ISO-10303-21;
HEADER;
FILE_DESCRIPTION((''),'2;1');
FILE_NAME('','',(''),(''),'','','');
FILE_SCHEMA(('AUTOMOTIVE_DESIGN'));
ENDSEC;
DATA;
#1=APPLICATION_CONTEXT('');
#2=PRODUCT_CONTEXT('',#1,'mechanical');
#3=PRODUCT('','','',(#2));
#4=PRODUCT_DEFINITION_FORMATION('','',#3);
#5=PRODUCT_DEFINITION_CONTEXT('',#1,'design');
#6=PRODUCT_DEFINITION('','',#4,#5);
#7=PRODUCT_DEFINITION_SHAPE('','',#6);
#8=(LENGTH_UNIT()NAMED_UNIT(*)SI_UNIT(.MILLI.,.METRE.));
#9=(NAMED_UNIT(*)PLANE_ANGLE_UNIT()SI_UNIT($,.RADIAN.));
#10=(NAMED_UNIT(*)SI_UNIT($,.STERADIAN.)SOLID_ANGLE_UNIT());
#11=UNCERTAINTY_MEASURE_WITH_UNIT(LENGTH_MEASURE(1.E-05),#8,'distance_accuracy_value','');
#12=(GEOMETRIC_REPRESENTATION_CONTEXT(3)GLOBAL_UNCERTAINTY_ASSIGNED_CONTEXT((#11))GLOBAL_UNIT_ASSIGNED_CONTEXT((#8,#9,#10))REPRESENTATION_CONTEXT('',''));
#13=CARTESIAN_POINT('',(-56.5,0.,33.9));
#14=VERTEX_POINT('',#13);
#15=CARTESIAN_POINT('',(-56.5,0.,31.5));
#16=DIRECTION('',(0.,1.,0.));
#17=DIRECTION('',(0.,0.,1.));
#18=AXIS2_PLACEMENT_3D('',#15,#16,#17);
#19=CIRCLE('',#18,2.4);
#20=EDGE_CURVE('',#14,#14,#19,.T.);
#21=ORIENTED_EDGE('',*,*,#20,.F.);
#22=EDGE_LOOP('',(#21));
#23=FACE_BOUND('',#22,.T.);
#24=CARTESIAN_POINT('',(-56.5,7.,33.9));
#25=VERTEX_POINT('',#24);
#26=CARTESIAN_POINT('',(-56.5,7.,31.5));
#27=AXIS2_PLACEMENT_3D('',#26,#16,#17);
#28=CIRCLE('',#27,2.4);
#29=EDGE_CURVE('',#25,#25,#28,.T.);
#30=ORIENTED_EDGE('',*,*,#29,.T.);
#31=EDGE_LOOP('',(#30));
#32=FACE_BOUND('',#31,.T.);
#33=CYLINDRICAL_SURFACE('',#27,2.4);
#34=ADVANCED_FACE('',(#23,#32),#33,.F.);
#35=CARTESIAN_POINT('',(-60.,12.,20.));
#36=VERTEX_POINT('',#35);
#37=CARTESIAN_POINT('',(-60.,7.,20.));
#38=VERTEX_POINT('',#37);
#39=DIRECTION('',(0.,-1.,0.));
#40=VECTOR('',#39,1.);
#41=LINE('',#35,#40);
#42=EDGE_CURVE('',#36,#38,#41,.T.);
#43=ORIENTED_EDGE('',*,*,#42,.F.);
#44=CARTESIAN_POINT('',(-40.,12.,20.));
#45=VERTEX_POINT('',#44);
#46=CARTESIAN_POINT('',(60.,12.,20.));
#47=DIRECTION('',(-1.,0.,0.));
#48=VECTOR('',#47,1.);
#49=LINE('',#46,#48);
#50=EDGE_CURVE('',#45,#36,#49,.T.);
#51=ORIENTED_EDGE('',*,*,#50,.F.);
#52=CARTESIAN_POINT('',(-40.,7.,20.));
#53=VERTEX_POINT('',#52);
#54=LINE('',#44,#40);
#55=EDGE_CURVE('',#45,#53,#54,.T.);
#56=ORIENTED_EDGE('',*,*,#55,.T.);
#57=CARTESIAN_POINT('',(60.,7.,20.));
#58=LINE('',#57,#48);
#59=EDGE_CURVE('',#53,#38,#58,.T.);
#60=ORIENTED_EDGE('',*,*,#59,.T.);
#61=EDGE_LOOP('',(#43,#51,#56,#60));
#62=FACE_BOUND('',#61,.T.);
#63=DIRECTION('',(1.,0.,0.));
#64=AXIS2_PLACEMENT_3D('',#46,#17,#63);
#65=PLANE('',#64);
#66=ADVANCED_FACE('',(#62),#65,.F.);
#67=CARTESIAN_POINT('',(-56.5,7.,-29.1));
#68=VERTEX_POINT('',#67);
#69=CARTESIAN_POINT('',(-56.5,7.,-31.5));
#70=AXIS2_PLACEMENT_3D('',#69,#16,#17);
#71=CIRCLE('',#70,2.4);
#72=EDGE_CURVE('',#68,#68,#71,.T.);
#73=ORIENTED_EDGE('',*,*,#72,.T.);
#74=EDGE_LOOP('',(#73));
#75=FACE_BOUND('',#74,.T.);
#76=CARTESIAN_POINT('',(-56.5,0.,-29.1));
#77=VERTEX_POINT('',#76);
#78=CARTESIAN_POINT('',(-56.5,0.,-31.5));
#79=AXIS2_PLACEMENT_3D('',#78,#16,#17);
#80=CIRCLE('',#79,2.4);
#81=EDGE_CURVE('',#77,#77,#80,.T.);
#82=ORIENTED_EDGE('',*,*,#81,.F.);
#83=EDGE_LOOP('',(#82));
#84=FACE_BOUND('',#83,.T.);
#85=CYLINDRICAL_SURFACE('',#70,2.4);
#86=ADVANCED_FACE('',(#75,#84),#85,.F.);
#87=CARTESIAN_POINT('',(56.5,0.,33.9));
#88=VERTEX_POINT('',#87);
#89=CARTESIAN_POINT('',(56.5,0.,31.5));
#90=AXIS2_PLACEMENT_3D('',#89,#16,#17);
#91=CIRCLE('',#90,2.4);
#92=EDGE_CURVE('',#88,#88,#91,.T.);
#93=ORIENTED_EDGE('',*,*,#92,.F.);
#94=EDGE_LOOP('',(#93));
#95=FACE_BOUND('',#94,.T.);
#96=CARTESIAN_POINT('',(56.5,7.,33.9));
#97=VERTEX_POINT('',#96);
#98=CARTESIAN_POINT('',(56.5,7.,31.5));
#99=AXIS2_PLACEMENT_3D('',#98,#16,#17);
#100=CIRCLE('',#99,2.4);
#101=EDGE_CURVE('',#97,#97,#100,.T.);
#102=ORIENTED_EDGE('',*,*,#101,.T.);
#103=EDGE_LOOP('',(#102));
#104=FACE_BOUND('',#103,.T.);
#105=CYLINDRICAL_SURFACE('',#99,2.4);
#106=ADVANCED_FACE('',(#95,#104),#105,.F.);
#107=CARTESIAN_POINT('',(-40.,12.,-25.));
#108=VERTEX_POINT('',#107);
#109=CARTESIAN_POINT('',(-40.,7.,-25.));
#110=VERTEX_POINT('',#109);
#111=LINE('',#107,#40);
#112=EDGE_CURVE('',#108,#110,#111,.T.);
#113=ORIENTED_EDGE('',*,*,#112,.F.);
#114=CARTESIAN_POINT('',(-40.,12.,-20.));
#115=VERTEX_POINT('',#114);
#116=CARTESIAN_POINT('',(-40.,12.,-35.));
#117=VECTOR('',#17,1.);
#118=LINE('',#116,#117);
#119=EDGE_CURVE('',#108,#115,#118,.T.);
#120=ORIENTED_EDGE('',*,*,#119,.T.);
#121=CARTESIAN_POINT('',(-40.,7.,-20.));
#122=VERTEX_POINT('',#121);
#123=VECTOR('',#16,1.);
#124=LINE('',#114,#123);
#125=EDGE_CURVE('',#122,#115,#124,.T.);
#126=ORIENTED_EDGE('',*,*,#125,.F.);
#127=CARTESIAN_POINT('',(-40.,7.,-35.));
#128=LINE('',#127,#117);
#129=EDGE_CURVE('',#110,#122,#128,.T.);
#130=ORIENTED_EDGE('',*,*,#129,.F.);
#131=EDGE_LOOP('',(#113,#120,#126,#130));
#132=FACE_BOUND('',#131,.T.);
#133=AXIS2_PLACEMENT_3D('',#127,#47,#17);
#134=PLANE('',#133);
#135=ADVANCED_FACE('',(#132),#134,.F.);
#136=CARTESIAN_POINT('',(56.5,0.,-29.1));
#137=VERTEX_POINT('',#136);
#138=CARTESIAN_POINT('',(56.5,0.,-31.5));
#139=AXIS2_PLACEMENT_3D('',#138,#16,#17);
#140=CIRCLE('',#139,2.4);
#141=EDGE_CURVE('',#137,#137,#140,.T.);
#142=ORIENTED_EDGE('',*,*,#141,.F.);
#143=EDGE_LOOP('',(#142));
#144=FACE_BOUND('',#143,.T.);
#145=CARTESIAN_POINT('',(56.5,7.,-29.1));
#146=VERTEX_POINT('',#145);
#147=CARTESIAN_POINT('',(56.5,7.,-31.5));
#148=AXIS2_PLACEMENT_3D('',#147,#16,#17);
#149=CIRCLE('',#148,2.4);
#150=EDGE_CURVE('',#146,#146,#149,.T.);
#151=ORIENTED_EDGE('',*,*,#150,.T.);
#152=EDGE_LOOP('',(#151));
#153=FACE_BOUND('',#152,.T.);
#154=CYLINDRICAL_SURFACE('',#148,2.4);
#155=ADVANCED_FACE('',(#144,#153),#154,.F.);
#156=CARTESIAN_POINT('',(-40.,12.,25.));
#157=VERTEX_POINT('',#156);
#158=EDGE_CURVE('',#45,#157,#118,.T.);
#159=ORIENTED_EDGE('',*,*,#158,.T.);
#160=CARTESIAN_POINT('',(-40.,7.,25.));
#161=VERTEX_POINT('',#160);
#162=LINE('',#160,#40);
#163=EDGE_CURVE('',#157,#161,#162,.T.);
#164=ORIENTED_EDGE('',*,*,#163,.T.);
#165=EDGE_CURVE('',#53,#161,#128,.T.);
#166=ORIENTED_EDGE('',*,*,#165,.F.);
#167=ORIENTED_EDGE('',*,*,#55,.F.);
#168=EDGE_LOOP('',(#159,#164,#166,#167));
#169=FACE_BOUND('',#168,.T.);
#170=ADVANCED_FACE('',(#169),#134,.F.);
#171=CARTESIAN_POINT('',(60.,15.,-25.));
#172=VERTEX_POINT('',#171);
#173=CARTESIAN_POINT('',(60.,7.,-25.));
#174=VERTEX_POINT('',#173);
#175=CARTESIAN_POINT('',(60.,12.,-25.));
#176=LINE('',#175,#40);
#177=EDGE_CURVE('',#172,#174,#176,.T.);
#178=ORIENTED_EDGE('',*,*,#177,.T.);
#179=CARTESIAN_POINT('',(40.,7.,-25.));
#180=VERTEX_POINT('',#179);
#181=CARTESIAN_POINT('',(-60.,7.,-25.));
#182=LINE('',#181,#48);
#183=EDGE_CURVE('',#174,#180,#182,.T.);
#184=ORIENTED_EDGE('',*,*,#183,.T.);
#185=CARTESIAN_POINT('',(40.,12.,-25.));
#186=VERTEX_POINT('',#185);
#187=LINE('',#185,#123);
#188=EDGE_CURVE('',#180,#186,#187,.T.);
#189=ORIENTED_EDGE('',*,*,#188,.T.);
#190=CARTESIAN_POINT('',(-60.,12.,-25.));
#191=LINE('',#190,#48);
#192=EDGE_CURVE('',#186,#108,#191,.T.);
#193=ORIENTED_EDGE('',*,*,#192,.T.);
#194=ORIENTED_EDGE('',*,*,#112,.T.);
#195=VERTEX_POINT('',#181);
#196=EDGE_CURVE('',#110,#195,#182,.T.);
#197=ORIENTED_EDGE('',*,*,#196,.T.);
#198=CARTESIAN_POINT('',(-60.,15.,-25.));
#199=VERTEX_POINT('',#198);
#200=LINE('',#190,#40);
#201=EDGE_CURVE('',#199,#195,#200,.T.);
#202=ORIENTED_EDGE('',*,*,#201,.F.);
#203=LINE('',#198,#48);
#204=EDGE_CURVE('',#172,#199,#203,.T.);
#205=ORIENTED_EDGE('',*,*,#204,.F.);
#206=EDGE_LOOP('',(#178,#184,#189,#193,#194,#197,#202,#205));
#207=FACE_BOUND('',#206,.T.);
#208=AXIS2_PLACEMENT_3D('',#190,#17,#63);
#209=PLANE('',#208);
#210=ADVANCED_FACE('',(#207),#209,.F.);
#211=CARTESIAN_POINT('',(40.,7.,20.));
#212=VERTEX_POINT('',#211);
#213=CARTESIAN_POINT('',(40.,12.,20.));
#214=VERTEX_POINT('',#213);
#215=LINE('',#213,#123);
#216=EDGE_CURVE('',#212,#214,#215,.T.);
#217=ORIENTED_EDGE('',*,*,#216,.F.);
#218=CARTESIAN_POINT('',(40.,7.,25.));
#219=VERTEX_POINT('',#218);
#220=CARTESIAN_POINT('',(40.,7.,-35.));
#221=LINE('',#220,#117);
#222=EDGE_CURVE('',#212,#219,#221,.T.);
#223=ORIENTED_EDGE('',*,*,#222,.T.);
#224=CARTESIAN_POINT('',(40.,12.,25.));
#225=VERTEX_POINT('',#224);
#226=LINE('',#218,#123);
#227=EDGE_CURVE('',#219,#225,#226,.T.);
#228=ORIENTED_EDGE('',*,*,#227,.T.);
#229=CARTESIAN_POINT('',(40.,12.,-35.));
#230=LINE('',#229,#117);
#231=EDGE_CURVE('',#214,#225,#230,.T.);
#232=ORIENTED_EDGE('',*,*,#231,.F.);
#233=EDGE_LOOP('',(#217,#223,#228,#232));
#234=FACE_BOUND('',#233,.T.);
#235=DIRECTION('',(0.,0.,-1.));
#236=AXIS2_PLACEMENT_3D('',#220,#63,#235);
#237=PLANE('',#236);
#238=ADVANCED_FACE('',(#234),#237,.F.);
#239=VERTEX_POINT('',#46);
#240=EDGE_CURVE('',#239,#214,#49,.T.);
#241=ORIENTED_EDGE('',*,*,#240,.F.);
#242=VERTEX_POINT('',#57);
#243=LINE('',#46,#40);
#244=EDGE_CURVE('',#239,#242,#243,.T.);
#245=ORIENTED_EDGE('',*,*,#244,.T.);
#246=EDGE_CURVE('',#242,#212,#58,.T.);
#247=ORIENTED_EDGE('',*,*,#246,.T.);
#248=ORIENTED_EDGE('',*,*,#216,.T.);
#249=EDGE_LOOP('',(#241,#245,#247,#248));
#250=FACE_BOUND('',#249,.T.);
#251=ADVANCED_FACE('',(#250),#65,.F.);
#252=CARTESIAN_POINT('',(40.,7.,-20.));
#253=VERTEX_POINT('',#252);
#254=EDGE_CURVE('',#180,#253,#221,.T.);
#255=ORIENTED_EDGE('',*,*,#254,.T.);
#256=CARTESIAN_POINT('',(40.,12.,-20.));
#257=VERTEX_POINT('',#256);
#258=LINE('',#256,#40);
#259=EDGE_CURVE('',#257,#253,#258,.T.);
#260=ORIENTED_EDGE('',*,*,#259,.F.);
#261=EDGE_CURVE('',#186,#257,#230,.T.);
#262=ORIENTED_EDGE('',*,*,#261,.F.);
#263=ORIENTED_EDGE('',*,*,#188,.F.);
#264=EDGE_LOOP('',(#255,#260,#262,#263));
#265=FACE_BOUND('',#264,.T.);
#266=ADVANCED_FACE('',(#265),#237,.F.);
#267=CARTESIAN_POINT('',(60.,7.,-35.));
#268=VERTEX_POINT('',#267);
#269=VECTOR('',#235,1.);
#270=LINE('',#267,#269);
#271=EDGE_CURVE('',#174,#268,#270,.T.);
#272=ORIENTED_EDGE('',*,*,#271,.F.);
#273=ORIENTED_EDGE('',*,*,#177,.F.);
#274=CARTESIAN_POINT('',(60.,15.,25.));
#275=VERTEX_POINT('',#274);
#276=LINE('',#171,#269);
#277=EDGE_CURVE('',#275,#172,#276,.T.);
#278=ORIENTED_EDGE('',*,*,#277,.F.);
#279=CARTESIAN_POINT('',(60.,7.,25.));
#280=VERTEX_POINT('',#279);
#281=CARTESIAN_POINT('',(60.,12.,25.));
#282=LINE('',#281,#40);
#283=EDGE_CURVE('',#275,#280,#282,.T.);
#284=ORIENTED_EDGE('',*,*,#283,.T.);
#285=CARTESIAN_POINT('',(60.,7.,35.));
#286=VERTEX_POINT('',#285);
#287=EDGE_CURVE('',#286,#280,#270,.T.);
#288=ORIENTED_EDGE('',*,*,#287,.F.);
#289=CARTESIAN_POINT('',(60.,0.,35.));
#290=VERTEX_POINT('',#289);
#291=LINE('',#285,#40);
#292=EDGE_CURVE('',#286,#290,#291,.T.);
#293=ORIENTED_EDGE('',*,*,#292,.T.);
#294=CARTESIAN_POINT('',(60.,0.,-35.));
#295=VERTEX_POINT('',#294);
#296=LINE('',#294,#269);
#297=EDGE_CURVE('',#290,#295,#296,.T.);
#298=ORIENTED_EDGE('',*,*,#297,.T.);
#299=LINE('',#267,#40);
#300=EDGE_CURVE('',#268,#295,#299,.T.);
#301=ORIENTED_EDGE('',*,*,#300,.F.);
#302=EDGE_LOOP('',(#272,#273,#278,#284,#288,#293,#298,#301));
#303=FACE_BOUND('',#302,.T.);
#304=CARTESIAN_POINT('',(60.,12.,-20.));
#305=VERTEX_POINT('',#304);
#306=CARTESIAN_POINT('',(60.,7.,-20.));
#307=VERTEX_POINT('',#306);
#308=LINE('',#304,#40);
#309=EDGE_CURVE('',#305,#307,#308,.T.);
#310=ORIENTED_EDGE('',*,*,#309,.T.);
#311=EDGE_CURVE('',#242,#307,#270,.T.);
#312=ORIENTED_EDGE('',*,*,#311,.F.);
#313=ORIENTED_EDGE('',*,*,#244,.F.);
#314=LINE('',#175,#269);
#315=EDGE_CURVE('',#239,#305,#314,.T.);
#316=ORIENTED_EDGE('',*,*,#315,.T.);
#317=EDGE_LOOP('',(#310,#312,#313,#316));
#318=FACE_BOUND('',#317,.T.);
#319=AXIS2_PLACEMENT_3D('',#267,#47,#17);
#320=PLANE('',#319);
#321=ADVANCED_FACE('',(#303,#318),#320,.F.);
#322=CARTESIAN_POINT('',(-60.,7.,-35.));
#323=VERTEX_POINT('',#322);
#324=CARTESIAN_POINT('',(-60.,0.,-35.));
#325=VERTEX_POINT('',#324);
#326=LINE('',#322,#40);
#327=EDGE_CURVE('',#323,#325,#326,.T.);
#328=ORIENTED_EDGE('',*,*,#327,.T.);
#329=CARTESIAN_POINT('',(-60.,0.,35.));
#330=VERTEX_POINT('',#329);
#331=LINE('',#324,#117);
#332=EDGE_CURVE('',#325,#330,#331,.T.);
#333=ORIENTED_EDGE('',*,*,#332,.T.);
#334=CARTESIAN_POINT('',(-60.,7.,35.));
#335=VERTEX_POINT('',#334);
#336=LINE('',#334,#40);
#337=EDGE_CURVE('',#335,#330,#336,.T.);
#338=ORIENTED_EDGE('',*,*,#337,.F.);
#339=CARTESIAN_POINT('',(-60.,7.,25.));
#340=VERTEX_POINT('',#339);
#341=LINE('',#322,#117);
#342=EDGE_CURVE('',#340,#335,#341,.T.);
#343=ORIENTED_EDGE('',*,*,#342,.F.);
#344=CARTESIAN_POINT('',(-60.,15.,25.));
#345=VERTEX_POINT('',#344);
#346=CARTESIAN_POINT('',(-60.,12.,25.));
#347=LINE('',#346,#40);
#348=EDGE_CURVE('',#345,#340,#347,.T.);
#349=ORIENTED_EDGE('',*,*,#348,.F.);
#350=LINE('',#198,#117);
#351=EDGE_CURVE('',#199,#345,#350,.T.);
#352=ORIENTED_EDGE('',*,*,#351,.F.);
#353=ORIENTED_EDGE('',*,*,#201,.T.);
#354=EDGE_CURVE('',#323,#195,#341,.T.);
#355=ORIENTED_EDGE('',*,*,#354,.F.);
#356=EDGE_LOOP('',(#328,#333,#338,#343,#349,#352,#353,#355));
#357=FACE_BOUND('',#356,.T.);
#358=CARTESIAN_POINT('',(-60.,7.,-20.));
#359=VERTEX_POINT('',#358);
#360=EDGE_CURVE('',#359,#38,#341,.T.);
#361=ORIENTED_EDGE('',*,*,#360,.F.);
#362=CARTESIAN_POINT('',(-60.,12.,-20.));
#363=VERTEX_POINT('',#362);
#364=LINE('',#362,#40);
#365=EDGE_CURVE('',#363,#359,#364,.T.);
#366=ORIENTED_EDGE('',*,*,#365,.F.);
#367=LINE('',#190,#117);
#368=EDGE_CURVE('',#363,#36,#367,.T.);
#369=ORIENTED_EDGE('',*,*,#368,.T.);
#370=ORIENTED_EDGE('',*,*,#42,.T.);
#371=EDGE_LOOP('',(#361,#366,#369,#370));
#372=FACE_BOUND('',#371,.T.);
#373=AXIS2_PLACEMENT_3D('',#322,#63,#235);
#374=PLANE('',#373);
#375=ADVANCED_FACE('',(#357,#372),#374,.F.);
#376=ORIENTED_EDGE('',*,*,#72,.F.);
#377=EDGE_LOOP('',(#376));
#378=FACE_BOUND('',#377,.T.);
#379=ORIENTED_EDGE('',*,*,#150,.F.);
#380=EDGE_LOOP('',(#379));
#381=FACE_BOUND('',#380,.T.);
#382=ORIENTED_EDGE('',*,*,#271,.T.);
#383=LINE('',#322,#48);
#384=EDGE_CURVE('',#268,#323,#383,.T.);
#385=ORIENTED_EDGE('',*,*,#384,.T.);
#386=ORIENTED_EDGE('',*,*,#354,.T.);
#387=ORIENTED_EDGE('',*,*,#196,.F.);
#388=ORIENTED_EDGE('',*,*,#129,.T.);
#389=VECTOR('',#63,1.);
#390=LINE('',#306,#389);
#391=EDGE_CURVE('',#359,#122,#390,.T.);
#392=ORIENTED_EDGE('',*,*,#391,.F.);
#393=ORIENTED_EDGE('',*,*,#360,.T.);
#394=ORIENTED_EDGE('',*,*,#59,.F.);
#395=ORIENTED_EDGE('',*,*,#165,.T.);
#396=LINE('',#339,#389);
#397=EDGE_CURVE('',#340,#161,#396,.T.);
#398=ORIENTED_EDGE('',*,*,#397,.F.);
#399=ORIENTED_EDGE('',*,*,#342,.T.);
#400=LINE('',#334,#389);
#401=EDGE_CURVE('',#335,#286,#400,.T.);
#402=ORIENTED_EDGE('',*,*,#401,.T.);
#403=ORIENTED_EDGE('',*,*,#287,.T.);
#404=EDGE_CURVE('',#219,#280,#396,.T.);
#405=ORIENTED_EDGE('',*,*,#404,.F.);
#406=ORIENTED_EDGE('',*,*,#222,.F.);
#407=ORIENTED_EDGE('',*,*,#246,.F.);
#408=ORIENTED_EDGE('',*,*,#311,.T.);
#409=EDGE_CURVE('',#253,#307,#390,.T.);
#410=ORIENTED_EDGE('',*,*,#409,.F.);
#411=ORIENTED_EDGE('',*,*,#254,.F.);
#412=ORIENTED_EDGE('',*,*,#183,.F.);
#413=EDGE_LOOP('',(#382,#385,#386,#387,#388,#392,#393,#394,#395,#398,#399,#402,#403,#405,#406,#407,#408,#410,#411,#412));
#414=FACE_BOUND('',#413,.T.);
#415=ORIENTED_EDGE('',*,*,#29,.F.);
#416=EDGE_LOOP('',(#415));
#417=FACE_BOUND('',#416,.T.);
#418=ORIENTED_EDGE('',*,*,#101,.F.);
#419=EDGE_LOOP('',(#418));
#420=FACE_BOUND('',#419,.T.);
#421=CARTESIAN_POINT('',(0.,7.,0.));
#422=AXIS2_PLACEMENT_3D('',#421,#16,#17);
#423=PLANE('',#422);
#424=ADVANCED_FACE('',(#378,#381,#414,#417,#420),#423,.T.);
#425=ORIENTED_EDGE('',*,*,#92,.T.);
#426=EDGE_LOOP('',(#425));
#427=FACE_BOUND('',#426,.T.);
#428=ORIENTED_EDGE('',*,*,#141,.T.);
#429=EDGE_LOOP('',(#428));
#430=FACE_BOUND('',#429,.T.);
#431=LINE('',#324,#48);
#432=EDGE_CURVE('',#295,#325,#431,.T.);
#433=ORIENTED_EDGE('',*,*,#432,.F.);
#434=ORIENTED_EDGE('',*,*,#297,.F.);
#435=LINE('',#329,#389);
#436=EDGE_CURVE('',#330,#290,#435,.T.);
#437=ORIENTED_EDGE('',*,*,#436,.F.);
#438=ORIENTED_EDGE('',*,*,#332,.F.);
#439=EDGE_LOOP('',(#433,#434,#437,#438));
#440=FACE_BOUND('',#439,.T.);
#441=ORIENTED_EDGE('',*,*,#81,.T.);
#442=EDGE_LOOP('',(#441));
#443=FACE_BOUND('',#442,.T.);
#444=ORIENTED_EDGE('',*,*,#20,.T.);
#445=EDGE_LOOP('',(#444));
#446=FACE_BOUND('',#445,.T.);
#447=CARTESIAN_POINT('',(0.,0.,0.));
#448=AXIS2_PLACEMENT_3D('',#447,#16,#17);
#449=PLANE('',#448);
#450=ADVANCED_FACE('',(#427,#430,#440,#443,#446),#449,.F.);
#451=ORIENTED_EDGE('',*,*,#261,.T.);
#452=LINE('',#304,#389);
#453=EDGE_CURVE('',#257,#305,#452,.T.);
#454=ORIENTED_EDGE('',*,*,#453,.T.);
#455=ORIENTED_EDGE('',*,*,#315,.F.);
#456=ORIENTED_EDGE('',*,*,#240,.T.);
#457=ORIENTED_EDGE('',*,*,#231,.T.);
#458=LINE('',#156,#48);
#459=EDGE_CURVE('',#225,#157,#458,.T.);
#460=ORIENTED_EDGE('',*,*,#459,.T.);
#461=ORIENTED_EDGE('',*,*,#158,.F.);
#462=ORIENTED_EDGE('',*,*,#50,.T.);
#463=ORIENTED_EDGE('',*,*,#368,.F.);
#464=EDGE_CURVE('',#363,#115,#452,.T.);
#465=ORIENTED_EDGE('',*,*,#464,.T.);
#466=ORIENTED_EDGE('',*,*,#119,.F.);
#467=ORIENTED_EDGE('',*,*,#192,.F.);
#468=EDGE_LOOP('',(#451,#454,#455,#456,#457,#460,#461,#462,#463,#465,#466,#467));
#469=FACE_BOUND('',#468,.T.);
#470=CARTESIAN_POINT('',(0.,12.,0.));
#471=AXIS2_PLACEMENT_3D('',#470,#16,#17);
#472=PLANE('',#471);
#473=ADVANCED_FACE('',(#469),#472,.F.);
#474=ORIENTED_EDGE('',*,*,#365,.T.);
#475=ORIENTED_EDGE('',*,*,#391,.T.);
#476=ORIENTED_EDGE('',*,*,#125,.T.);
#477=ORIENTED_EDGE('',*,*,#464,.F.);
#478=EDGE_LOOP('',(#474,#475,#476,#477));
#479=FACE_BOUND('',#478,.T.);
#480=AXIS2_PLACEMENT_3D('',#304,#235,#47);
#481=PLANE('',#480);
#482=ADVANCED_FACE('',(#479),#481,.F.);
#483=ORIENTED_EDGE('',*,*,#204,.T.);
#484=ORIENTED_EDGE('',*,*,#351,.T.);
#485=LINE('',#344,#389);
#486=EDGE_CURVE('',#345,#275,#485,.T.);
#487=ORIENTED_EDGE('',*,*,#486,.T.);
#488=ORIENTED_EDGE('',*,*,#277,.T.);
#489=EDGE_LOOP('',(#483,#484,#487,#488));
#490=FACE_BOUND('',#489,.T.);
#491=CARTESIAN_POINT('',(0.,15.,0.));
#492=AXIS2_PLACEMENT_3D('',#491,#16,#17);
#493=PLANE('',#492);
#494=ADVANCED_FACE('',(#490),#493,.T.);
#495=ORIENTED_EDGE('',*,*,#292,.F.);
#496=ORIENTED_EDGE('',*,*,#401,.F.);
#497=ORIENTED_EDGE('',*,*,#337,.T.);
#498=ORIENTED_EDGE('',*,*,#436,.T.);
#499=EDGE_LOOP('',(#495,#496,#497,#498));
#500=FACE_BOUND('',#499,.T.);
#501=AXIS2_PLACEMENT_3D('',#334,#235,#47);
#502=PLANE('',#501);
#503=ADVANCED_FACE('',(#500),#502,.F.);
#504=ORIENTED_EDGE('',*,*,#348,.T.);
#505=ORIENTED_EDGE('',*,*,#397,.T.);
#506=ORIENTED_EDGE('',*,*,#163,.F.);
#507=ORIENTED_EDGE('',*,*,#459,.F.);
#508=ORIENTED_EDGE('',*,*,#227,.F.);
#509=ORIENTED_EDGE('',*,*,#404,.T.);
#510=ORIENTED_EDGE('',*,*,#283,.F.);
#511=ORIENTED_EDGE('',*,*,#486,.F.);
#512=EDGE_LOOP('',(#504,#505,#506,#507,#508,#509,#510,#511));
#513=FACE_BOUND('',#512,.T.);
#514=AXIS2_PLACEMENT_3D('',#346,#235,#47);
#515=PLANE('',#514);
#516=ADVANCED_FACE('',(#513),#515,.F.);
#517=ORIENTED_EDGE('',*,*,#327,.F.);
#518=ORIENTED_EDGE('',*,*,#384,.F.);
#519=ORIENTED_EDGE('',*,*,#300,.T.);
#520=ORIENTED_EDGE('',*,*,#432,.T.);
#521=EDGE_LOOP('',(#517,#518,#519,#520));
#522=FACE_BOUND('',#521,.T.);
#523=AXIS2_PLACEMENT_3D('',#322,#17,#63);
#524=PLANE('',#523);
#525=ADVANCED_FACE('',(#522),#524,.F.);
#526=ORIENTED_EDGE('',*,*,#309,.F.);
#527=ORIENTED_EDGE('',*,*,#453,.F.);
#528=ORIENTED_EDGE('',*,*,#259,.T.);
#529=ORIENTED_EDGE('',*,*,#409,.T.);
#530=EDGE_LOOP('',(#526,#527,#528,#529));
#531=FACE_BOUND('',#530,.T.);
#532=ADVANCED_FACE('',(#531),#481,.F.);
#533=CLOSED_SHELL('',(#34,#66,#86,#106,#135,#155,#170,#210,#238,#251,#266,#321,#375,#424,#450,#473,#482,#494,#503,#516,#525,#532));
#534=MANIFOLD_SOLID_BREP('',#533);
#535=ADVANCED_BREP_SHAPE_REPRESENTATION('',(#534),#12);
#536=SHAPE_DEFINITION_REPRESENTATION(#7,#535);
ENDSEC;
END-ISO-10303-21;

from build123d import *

# Parameters (mm, degrees)
CROQUIS1_W                   = 120
CROQUIS1_H                   = 70
SALIENTE_EXTRUIR1_DEPTH      = 7
TALADRO_DE_MARGEN_PARA_M41_D = 4.8
CROQUIS8_W                   = 120
CROQUIS8_H                   = 5
SALIENTE_EXTRUIR2_DEPTH      = 5
CROQUIS9_W                   = 120
CROQUIS9_H                   = 50
SALIENTE_EXTRUIR3_DEPTH      = 3
CROQUIS10_W                  = 80
CROQUIS10_H                  = 5
CORTAR_EXTRUIR1_DEPTH        = 87.168439698


with BuildPart() as part:
    # Croquis1 → Saliente-Extruir1 (new body)
    with BuildSketch(Plane(origin=(0, 0, 0), x_dir=(1, 0, 0), z_dir=(0, 1, 0))):
        Rectangle(CROQUIS1_W, CROQUIS1_H)
    extrude(amount=SALIENTE_EXTRUIR1_DEPTH)

    # Taladro de margen para M41 (through all)
    with Locations(Plane(origin=(0, 7, 0), x_dir=(1, 0, 0), z_dir=(0, 1, 0))):
        with Locations((56.5, 31.5), (56.5, -31.5), (-56.5, -31.5), (-56.5, 31.5)):
            Hole(TALADRO_DE_MARGEN_PARA_M41_D / 2)

    # Croquis8 → Saliente-Extruir2 (add)
    with BuildSketch(Plane(origin=(0, 7, 0), x_dir=(1, 0, 0), z_dir=(0, 1, 0))):
        with Locations((0, 22.5)):
            Rectangle(CROQUIS8_W, CROQUIS8_H)
        with Locations((0, -22.5)):
            Rectangle(CROQUIS8_W, CROQUIS8_H)
    extrude(amount=SALIENTE_EXTRUIR2_DEPTH)

    # Croquis9 → Saliente-Extruir3 (add)
    with BuildSketch(Plane(origin=(0, 12, 0), x_dir=(1, 0, 0), z_dir=(0, 1, 0))):
        Rectangle(CROQUIS9_W, CROQUIS9_H)
    extrude(amount=SALIENTE_EXTRUIR3_DEPTH)

    # Croquis10 → Cortar-Extruir1 (cut, through all)
    with BuildSketch(Plane.XY.offset(25)):
        with Locations((0, 9.5)):
            Rectangle(CROQUIS10_W, CROQUIS10_H)
    extrude(amount=-CORTAR_EXTRUIR1_DEPTH, mode=Mode.SUBTRACT)


solid = part.part
